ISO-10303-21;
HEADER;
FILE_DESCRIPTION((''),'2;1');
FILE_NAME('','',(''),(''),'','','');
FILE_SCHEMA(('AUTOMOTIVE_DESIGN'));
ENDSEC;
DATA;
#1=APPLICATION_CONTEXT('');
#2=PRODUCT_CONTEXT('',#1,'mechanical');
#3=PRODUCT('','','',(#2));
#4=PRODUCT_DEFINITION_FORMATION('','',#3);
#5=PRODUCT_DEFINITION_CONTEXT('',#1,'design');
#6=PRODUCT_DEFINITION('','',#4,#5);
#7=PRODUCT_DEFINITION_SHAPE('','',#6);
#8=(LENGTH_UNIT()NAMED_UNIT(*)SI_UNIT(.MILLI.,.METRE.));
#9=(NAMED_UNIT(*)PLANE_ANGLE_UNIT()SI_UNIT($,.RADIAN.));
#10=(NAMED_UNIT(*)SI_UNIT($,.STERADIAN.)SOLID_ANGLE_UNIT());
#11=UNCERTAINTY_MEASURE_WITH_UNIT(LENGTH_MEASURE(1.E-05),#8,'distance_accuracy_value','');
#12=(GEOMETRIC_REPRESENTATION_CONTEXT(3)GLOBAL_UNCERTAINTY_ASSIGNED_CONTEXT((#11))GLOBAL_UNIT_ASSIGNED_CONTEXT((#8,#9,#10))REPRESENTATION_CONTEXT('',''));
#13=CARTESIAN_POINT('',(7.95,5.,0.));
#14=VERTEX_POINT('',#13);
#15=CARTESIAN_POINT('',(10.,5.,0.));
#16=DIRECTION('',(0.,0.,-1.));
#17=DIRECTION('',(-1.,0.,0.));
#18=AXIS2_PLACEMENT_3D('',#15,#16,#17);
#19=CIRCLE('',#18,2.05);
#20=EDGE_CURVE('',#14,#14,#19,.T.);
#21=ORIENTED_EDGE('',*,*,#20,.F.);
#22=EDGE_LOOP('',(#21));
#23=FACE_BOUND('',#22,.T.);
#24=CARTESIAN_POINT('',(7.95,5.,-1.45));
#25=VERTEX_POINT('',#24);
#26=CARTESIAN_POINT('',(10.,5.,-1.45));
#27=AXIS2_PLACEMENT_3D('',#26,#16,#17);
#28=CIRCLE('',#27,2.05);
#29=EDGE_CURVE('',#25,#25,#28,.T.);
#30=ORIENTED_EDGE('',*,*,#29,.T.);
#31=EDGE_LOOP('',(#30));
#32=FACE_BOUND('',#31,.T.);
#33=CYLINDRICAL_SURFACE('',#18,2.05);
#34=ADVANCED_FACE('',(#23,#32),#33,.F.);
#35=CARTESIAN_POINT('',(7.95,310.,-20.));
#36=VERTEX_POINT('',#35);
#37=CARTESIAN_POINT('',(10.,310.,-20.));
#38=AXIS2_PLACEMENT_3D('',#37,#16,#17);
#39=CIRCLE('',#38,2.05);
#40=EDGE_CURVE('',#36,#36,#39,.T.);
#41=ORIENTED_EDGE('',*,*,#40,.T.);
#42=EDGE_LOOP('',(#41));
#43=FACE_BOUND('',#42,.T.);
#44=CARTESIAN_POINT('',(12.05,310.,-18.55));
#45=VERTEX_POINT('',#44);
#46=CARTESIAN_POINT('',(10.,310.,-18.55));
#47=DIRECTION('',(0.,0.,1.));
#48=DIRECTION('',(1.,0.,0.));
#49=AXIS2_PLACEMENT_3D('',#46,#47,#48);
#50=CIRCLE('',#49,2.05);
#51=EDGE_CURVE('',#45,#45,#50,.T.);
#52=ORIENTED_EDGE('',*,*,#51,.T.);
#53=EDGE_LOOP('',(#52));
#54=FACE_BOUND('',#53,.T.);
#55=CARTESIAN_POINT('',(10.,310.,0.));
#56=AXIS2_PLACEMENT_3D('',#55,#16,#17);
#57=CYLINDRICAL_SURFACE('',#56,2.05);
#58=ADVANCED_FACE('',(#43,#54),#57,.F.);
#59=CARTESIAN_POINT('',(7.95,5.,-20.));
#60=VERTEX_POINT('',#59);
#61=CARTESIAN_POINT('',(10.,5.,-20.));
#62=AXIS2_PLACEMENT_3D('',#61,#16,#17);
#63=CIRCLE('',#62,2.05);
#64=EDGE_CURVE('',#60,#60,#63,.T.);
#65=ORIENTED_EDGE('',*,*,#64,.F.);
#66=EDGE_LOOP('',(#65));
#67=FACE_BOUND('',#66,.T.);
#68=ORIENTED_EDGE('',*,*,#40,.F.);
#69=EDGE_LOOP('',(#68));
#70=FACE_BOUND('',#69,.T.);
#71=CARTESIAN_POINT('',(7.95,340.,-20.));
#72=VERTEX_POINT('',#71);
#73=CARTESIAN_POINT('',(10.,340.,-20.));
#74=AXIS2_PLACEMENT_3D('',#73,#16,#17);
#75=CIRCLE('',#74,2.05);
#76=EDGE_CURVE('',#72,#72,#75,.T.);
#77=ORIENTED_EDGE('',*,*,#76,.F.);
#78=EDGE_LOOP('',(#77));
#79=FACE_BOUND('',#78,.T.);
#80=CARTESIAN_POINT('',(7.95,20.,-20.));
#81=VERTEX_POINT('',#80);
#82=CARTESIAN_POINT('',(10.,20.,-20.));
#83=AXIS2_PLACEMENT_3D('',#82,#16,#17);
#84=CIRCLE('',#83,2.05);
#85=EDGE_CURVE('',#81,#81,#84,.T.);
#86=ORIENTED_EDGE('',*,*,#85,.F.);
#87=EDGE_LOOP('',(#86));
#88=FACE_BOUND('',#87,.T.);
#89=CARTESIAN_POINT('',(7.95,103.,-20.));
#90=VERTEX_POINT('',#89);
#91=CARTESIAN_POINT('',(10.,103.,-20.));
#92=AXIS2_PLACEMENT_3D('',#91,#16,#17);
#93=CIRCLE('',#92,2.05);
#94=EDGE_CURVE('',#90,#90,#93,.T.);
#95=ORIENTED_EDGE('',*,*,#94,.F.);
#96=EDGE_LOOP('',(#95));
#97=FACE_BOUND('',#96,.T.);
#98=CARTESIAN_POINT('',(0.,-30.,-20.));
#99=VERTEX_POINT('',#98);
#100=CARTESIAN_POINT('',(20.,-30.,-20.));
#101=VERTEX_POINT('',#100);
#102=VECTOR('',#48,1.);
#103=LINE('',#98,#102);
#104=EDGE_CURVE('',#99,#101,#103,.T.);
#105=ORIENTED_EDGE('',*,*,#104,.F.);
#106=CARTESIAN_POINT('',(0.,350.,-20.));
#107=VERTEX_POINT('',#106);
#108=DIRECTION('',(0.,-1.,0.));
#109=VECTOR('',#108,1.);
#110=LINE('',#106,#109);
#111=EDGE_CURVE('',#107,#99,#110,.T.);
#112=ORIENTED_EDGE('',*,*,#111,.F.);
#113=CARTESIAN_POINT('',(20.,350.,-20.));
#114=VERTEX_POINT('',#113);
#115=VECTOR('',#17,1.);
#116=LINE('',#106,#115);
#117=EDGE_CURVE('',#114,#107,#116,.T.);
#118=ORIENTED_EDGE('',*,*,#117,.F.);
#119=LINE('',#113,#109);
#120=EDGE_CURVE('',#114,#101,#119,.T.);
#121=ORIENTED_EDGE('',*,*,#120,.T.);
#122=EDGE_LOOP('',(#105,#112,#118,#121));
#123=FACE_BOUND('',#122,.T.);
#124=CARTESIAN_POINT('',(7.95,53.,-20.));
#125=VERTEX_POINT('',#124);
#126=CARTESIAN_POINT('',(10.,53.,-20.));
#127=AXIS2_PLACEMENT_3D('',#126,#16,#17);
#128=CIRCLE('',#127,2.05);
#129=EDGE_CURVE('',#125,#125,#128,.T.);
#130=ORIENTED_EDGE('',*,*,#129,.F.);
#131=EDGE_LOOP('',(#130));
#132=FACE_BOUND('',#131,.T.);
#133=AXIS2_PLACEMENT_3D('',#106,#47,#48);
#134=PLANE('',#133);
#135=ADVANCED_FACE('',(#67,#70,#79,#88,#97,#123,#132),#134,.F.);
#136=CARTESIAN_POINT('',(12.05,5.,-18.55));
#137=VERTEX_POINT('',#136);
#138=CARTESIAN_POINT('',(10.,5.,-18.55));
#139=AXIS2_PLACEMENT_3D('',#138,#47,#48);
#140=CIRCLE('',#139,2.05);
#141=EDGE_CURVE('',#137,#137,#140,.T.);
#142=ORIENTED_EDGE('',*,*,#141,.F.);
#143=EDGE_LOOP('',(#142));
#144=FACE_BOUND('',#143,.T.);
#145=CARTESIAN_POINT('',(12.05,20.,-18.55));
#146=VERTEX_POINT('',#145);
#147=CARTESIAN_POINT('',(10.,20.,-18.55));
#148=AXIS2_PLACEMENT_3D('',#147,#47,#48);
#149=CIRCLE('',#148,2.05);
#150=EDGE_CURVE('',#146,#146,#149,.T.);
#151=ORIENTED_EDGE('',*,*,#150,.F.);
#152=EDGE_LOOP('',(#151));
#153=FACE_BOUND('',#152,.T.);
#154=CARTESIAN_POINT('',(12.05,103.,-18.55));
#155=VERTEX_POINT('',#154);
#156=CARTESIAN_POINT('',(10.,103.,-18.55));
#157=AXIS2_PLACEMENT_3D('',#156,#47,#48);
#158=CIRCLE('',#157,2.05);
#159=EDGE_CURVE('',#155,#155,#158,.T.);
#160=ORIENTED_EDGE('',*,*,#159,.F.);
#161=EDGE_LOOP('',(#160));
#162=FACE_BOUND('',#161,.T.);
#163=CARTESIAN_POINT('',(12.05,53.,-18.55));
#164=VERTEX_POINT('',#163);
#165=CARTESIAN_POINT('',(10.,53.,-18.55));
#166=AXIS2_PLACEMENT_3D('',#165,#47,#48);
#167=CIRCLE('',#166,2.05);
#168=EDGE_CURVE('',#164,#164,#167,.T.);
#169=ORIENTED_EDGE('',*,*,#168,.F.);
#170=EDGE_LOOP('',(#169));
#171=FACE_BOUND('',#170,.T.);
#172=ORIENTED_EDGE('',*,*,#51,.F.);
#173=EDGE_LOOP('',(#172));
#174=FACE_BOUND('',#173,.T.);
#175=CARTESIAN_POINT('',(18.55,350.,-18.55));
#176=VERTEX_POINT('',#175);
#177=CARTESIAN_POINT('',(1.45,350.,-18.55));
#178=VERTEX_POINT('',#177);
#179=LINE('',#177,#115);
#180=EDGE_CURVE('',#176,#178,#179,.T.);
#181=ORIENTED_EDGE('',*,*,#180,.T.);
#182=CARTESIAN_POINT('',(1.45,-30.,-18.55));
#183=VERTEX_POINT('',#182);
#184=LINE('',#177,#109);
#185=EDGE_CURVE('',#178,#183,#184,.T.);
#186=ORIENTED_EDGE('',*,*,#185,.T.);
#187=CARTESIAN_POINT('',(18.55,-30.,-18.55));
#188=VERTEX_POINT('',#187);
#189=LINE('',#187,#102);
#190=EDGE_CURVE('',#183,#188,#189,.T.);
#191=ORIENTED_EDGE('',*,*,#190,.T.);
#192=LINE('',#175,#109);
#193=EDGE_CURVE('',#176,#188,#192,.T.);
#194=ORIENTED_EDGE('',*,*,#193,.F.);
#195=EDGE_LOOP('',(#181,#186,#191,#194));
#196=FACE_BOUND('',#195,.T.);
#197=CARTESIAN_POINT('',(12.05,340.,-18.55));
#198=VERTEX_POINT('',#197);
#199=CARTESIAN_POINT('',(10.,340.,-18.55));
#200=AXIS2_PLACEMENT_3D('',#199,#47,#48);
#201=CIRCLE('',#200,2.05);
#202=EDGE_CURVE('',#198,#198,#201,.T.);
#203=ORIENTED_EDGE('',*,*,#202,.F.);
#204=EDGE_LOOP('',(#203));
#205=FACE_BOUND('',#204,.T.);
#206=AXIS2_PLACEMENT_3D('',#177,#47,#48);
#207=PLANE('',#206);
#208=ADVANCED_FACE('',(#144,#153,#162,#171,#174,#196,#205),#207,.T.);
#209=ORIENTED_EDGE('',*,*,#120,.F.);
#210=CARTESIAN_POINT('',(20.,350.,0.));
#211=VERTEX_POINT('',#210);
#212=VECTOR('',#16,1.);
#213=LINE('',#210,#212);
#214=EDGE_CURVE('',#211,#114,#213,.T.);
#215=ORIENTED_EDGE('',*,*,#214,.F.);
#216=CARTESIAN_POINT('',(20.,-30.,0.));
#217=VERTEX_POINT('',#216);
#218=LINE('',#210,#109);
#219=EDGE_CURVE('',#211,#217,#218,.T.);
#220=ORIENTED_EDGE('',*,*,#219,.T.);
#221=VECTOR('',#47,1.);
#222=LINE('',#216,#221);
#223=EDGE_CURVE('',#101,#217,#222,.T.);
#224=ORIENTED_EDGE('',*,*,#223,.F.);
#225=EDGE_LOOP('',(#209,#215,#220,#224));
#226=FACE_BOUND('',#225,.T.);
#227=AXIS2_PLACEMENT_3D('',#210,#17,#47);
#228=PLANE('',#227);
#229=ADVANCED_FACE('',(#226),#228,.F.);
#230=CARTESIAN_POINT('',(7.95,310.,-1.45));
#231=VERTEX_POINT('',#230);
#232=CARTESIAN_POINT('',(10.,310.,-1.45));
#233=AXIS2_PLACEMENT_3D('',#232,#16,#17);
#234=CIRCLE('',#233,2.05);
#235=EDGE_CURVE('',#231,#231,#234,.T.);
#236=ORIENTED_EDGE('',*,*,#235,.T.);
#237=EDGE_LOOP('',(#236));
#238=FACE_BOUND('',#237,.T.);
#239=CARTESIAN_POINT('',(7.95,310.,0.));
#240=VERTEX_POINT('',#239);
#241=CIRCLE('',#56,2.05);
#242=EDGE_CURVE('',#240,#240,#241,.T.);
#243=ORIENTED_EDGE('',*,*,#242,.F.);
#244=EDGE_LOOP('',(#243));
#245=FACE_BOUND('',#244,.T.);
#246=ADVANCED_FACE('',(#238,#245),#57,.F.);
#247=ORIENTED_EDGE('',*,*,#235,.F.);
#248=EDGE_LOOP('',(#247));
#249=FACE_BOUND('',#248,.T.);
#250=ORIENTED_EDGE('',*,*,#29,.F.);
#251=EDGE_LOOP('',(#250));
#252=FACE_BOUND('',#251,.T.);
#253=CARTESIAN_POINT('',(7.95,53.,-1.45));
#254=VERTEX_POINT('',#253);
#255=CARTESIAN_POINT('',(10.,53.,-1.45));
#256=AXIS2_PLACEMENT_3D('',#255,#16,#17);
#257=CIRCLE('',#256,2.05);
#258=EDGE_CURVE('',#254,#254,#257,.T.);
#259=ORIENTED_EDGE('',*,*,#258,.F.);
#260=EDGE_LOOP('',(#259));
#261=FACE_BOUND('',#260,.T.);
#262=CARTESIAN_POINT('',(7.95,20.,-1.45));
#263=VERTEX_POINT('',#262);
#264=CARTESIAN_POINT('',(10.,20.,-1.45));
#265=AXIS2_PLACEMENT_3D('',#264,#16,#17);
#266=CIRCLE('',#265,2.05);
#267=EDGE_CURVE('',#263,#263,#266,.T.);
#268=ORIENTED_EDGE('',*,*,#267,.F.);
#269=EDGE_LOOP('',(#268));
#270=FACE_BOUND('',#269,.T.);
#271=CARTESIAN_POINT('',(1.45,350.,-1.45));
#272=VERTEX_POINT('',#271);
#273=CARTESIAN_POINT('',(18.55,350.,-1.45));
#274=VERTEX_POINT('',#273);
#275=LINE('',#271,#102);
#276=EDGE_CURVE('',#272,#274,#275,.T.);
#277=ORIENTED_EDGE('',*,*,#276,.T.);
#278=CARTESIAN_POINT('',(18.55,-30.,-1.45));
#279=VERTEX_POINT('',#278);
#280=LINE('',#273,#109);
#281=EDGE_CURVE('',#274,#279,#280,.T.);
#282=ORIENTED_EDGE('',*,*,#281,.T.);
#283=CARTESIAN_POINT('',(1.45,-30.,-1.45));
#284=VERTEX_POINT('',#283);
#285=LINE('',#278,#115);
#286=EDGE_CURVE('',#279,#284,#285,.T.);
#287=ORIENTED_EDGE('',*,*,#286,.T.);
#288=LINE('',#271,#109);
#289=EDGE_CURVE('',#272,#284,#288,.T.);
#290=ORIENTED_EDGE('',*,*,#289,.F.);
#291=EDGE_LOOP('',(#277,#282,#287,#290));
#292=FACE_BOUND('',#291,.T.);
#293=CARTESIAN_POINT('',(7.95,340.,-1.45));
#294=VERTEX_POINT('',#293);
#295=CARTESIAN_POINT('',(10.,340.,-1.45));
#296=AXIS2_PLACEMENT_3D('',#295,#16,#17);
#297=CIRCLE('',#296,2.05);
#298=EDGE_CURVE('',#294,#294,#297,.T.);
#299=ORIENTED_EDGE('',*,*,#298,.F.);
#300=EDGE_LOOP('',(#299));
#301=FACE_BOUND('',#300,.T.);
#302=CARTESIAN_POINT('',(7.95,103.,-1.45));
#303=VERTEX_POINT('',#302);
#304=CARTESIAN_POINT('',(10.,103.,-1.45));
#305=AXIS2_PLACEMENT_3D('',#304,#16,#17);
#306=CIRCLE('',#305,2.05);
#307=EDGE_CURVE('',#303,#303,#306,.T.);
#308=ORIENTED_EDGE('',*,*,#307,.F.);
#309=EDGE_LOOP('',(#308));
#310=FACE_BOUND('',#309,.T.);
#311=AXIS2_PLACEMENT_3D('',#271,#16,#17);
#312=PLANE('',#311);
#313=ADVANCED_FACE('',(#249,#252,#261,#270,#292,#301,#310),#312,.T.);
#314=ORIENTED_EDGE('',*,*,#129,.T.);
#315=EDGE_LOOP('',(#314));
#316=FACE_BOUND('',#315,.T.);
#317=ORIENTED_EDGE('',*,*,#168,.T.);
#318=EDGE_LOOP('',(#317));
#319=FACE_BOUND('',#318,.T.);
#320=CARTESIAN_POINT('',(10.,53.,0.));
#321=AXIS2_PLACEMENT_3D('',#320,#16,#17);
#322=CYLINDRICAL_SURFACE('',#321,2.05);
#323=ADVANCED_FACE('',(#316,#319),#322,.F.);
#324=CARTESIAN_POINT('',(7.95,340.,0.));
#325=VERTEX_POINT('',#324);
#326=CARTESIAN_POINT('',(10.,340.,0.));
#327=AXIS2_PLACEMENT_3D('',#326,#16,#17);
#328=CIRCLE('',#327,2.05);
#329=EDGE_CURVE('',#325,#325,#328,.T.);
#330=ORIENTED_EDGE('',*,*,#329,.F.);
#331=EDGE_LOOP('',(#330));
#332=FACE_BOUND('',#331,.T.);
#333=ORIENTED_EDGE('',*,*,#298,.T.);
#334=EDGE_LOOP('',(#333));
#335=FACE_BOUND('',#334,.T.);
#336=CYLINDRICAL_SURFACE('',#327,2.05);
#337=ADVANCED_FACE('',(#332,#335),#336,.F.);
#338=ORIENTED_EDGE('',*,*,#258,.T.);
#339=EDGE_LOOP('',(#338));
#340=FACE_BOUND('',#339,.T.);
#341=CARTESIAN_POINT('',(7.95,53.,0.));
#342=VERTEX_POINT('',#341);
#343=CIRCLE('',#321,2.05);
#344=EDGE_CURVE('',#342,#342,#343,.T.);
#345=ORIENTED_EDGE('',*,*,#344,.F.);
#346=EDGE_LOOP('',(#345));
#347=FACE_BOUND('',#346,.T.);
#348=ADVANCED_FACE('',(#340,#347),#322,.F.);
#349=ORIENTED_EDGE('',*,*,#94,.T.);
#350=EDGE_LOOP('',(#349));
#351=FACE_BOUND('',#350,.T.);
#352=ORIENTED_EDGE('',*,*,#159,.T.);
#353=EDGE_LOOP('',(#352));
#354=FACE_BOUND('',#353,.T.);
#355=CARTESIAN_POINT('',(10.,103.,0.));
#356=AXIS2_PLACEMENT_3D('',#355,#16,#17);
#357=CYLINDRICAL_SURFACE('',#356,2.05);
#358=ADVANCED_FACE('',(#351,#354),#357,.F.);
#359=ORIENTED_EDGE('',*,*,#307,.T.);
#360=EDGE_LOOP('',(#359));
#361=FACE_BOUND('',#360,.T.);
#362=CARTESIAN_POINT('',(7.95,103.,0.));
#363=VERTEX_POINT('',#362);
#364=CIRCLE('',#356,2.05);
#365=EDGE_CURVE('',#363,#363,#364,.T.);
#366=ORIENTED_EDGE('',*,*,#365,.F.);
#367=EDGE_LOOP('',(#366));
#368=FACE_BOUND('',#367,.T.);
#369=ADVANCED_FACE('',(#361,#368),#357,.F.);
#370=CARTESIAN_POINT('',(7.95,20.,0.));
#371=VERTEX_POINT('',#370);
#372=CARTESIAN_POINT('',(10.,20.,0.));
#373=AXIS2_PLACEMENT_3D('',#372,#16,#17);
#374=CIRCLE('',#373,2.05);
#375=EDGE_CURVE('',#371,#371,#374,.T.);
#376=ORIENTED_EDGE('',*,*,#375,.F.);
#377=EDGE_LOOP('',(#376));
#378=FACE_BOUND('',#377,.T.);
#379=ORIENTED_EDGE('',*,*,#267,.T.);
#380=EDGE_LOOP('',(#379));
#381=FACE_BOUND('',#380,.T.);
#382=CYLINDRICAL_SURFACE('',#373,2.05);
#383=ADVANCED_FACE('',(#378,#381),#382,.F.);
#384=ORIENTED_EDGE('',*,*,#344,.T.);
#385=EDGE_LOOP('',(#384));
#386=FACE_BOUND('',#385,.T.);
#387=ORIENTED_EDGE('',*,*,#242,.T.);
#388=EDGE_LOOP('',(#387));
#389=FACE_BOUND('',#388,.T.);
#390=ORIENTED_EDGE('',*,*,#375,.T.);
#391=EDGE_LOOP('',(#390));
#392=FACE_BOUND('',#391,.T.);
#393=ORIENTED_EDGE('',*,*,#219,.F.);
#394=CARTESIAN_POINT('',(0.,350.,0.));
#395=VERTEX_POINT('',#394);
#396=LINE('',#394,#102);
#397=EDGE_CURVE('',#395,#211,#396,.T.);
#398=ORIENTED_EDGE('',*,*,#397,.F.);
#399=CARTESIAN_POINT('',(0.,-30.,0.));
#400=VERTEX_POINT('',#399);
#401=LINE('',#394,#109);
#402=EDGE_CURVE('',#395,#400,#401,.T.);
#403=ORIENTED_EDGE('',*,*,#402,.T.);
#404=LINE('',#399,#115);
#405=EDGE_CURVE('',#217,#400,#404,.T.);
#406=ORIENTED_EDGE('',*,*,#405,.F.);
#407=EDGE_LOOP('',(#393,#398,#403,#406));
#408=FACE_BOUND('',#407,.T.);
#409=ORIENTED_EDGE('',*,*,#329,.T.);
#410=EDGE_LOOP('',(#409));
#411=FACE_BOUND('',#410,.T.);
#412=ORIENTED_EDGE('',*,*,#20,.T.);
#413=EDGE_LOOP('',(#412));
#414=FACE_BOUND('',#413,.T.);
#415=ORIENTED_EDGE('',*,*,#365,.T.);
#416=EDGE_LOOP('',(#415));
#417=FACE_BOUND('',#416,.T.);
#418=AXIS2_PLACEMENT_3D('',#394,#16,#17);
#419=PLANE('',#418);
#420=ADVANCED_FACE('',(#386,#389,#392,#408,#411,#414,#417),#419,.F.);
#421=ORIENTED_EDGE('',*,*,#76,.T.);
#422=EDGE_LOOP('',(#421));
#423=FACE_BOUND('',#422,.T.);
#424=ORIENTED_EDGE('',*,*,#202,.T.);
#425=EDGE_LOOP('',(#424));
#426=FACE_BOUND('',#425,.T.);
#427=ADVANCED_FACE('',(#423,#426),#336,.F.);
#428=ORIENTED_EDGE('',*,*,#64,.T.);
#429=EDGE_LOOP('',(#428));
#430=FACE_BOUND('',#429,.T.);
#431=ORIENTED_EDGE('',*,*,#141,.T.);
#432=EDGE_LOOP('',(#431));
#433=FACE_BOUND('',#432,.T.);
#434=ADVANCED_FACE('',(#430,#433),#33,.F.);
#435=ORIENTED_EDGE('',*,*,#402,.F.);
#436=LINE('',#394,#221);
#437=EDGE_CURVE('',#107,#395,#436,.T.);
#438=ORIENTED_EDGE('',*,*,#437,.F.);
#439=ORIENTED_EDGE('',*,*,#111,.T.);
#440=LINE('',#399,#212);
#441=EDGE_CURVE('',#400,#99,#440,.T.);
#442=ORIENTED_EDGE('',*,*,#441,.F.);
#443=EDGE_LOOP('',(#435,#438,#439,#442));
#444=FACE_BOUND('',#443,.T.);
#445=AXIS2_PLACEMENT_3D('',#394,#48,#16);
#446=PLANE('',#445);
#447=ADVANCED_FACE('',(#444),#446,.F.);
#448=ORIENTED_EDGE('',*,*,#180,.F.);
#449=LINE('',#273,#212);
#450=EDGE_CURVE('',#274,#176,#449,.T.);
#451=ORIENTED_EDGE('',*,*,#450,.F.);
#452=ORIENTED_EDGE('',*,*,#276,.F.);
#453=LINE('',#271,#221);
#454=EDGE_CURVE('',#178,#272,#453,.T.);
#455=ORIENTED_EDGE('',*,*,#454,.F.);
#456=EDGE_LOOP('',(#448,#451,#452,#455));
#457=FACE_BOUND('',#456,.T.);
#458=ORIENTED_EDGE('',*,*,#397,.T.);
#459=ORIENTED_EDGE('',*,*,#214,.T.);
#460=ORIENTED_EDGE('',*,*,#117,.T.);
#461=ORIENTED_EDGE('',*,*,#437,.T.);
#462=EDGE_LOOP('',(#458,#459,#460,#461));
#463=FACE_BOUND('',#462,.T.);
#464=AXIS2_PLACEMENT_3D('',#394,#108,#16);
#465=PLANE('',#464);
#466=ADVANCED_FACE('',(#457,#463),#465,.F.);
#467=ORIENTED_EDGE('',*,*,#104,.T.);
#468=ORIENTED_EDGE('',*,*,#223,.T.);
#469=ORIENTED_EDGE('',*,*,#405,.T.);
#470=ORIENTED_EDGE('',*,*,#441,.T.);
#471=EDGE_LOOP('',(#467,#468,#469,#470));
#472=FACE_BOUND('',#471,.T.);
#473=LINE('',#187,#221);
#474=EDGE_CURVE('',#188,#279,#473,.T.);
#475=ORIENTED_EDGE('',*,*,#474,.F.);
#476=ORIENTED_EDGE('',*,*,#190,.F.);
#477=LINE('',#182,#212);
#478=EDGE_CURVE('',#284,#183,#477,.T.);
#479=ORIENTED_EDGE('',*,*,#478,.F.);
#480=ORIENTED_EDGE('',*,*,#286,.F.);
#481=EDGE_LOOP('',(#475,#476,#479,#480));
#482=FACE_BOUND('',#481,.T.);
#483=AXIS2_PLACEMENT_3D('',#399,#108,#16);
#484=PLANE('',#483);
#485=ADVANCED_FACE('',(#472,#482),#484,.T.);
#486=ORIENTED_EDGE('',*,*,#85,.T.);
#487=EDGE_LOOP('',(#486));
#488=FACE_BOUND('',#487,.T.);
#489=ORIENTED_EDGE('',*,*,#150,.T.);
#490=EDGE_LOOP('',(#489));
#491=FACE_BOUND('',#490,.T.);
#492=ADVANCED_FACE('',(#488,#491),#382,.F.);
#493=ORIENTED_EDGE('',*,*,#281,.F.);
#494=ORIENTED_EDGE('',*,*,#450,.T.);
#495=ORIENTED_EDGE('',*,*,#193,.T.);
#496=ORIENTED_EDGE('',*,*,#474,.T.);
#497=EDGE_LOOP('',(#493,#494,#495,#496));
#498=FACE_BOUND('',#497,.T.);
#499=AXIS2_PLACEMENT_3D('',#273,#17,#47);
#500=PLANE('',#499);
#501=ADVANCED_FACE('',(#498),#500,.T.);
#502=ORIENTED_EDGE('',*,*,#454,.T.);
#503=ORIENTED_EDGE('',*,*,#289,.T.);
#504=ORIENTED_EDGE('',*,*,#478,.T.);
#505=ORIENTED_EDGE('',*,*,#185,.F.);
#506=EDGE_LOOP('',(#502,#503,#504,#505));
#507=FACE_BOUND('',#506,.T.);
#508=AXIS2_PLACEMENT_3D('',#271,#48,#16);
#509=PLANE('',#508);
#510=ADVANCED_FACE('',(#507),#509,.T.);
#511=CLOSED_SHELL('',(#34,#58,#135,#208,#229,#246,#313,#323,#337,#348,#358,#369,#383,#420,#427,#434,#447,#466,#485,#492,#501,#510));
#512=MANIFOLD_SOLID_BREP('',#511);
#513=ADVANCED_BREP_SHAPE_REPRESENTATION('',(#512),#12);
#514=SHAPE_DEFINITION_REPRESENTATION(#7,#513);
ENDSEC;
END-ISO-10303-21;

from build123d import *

# Parameters (mm, degrees)
SKETCH1_W           = 20
SKETCH1_H           = 20
SKETCH1_W_2         = 17.1
SKETCH1_H_2         = 17.1
BOSS_EXTRUDE1_DEPTH = 350
SKETCH2_R           = 2.05
CUT_EXTRUDE1_DEPTH  = 21
SKETCH3_R           = 2.05
CUT_EXTRUDE2_DEPTH  = 21
SKETCH4_W           = 20
SKETCH4_H           = 20
SKETCH4_W_2         = 17.1
SKETCH4_H_2         = 17.1
BOSS_EXTRUDE2_DEPTH = 30


with BuildPart() as part:
    # Sketch1 → Boss-Extrude1 (new body)
    with BuildSketch(Plane(origin=(0, 0, 0), x_dir=(1, 0, 0), z_dir=(0, 1, 0))):
        with Locations((10, 10)):
            Rectangle(SKETCH1_W, SKETCH1_H)
        with Locations((10, 10)):
            Rectangle(SKETCH1_W_2, SKETCH1_H_2, mode=Mode.SUBTRACT)
    extrude(amount=BOSS_EXTRUDE1_DEPTH)

    # Sketch2 → Cut-Extrude1 (cut, through all)
    with BuildSketch(Plane(origin=(0, 0, -20), x_dir=(-1, 0, 0), z_dir=(0, 0, -1))):
        with Locations((-10, 340)):
            Circle(SKETCH2_R)
        with Locations((-10, 310)):
            Circle(SKETCH2_R)
        with Locations((-10, 20)):
            Circle(SKETCH2_R)
        with Locations((-10, 5)):
            Circle(SKETCH2_R)
    extrude(amount=-CUT_EXTRUDE1_DEPTH, mode=Mode.SUBTRACT)

    # Sketch3 → Cut-Extrude2 (cut, through all)
    with BuildSketch(Plane(origin=(0, 0, -20), x_dir=(-1, 0, 0), z_dir=(0, 0, -1))):
        with Locations((-10, 103)):
            Circle(SKETCH3_R)
        with Locations((-10, 53)):
            Circle(SKETCH3_R)
    extrude(amount=-CUT_EXTRUDE2_DEPTH, mode=Mode.SUBTRACT)

    # Sketch4 → Boss-Extrude2 (add)
    with BuildSketch(Plane.XZ):
        with Locations((10, -10)):
            Rectangle(SKETCH4_W, SKETCH4_H)
        with Locations((10, -10)):
            Rectangle(SKETCH4_W_2, SKETCH4_H_2, mode=Mode.SUBTRACT)
    extrude(amount=BOSS_EXTRUDE2_DEPTH)


solid = part.part
